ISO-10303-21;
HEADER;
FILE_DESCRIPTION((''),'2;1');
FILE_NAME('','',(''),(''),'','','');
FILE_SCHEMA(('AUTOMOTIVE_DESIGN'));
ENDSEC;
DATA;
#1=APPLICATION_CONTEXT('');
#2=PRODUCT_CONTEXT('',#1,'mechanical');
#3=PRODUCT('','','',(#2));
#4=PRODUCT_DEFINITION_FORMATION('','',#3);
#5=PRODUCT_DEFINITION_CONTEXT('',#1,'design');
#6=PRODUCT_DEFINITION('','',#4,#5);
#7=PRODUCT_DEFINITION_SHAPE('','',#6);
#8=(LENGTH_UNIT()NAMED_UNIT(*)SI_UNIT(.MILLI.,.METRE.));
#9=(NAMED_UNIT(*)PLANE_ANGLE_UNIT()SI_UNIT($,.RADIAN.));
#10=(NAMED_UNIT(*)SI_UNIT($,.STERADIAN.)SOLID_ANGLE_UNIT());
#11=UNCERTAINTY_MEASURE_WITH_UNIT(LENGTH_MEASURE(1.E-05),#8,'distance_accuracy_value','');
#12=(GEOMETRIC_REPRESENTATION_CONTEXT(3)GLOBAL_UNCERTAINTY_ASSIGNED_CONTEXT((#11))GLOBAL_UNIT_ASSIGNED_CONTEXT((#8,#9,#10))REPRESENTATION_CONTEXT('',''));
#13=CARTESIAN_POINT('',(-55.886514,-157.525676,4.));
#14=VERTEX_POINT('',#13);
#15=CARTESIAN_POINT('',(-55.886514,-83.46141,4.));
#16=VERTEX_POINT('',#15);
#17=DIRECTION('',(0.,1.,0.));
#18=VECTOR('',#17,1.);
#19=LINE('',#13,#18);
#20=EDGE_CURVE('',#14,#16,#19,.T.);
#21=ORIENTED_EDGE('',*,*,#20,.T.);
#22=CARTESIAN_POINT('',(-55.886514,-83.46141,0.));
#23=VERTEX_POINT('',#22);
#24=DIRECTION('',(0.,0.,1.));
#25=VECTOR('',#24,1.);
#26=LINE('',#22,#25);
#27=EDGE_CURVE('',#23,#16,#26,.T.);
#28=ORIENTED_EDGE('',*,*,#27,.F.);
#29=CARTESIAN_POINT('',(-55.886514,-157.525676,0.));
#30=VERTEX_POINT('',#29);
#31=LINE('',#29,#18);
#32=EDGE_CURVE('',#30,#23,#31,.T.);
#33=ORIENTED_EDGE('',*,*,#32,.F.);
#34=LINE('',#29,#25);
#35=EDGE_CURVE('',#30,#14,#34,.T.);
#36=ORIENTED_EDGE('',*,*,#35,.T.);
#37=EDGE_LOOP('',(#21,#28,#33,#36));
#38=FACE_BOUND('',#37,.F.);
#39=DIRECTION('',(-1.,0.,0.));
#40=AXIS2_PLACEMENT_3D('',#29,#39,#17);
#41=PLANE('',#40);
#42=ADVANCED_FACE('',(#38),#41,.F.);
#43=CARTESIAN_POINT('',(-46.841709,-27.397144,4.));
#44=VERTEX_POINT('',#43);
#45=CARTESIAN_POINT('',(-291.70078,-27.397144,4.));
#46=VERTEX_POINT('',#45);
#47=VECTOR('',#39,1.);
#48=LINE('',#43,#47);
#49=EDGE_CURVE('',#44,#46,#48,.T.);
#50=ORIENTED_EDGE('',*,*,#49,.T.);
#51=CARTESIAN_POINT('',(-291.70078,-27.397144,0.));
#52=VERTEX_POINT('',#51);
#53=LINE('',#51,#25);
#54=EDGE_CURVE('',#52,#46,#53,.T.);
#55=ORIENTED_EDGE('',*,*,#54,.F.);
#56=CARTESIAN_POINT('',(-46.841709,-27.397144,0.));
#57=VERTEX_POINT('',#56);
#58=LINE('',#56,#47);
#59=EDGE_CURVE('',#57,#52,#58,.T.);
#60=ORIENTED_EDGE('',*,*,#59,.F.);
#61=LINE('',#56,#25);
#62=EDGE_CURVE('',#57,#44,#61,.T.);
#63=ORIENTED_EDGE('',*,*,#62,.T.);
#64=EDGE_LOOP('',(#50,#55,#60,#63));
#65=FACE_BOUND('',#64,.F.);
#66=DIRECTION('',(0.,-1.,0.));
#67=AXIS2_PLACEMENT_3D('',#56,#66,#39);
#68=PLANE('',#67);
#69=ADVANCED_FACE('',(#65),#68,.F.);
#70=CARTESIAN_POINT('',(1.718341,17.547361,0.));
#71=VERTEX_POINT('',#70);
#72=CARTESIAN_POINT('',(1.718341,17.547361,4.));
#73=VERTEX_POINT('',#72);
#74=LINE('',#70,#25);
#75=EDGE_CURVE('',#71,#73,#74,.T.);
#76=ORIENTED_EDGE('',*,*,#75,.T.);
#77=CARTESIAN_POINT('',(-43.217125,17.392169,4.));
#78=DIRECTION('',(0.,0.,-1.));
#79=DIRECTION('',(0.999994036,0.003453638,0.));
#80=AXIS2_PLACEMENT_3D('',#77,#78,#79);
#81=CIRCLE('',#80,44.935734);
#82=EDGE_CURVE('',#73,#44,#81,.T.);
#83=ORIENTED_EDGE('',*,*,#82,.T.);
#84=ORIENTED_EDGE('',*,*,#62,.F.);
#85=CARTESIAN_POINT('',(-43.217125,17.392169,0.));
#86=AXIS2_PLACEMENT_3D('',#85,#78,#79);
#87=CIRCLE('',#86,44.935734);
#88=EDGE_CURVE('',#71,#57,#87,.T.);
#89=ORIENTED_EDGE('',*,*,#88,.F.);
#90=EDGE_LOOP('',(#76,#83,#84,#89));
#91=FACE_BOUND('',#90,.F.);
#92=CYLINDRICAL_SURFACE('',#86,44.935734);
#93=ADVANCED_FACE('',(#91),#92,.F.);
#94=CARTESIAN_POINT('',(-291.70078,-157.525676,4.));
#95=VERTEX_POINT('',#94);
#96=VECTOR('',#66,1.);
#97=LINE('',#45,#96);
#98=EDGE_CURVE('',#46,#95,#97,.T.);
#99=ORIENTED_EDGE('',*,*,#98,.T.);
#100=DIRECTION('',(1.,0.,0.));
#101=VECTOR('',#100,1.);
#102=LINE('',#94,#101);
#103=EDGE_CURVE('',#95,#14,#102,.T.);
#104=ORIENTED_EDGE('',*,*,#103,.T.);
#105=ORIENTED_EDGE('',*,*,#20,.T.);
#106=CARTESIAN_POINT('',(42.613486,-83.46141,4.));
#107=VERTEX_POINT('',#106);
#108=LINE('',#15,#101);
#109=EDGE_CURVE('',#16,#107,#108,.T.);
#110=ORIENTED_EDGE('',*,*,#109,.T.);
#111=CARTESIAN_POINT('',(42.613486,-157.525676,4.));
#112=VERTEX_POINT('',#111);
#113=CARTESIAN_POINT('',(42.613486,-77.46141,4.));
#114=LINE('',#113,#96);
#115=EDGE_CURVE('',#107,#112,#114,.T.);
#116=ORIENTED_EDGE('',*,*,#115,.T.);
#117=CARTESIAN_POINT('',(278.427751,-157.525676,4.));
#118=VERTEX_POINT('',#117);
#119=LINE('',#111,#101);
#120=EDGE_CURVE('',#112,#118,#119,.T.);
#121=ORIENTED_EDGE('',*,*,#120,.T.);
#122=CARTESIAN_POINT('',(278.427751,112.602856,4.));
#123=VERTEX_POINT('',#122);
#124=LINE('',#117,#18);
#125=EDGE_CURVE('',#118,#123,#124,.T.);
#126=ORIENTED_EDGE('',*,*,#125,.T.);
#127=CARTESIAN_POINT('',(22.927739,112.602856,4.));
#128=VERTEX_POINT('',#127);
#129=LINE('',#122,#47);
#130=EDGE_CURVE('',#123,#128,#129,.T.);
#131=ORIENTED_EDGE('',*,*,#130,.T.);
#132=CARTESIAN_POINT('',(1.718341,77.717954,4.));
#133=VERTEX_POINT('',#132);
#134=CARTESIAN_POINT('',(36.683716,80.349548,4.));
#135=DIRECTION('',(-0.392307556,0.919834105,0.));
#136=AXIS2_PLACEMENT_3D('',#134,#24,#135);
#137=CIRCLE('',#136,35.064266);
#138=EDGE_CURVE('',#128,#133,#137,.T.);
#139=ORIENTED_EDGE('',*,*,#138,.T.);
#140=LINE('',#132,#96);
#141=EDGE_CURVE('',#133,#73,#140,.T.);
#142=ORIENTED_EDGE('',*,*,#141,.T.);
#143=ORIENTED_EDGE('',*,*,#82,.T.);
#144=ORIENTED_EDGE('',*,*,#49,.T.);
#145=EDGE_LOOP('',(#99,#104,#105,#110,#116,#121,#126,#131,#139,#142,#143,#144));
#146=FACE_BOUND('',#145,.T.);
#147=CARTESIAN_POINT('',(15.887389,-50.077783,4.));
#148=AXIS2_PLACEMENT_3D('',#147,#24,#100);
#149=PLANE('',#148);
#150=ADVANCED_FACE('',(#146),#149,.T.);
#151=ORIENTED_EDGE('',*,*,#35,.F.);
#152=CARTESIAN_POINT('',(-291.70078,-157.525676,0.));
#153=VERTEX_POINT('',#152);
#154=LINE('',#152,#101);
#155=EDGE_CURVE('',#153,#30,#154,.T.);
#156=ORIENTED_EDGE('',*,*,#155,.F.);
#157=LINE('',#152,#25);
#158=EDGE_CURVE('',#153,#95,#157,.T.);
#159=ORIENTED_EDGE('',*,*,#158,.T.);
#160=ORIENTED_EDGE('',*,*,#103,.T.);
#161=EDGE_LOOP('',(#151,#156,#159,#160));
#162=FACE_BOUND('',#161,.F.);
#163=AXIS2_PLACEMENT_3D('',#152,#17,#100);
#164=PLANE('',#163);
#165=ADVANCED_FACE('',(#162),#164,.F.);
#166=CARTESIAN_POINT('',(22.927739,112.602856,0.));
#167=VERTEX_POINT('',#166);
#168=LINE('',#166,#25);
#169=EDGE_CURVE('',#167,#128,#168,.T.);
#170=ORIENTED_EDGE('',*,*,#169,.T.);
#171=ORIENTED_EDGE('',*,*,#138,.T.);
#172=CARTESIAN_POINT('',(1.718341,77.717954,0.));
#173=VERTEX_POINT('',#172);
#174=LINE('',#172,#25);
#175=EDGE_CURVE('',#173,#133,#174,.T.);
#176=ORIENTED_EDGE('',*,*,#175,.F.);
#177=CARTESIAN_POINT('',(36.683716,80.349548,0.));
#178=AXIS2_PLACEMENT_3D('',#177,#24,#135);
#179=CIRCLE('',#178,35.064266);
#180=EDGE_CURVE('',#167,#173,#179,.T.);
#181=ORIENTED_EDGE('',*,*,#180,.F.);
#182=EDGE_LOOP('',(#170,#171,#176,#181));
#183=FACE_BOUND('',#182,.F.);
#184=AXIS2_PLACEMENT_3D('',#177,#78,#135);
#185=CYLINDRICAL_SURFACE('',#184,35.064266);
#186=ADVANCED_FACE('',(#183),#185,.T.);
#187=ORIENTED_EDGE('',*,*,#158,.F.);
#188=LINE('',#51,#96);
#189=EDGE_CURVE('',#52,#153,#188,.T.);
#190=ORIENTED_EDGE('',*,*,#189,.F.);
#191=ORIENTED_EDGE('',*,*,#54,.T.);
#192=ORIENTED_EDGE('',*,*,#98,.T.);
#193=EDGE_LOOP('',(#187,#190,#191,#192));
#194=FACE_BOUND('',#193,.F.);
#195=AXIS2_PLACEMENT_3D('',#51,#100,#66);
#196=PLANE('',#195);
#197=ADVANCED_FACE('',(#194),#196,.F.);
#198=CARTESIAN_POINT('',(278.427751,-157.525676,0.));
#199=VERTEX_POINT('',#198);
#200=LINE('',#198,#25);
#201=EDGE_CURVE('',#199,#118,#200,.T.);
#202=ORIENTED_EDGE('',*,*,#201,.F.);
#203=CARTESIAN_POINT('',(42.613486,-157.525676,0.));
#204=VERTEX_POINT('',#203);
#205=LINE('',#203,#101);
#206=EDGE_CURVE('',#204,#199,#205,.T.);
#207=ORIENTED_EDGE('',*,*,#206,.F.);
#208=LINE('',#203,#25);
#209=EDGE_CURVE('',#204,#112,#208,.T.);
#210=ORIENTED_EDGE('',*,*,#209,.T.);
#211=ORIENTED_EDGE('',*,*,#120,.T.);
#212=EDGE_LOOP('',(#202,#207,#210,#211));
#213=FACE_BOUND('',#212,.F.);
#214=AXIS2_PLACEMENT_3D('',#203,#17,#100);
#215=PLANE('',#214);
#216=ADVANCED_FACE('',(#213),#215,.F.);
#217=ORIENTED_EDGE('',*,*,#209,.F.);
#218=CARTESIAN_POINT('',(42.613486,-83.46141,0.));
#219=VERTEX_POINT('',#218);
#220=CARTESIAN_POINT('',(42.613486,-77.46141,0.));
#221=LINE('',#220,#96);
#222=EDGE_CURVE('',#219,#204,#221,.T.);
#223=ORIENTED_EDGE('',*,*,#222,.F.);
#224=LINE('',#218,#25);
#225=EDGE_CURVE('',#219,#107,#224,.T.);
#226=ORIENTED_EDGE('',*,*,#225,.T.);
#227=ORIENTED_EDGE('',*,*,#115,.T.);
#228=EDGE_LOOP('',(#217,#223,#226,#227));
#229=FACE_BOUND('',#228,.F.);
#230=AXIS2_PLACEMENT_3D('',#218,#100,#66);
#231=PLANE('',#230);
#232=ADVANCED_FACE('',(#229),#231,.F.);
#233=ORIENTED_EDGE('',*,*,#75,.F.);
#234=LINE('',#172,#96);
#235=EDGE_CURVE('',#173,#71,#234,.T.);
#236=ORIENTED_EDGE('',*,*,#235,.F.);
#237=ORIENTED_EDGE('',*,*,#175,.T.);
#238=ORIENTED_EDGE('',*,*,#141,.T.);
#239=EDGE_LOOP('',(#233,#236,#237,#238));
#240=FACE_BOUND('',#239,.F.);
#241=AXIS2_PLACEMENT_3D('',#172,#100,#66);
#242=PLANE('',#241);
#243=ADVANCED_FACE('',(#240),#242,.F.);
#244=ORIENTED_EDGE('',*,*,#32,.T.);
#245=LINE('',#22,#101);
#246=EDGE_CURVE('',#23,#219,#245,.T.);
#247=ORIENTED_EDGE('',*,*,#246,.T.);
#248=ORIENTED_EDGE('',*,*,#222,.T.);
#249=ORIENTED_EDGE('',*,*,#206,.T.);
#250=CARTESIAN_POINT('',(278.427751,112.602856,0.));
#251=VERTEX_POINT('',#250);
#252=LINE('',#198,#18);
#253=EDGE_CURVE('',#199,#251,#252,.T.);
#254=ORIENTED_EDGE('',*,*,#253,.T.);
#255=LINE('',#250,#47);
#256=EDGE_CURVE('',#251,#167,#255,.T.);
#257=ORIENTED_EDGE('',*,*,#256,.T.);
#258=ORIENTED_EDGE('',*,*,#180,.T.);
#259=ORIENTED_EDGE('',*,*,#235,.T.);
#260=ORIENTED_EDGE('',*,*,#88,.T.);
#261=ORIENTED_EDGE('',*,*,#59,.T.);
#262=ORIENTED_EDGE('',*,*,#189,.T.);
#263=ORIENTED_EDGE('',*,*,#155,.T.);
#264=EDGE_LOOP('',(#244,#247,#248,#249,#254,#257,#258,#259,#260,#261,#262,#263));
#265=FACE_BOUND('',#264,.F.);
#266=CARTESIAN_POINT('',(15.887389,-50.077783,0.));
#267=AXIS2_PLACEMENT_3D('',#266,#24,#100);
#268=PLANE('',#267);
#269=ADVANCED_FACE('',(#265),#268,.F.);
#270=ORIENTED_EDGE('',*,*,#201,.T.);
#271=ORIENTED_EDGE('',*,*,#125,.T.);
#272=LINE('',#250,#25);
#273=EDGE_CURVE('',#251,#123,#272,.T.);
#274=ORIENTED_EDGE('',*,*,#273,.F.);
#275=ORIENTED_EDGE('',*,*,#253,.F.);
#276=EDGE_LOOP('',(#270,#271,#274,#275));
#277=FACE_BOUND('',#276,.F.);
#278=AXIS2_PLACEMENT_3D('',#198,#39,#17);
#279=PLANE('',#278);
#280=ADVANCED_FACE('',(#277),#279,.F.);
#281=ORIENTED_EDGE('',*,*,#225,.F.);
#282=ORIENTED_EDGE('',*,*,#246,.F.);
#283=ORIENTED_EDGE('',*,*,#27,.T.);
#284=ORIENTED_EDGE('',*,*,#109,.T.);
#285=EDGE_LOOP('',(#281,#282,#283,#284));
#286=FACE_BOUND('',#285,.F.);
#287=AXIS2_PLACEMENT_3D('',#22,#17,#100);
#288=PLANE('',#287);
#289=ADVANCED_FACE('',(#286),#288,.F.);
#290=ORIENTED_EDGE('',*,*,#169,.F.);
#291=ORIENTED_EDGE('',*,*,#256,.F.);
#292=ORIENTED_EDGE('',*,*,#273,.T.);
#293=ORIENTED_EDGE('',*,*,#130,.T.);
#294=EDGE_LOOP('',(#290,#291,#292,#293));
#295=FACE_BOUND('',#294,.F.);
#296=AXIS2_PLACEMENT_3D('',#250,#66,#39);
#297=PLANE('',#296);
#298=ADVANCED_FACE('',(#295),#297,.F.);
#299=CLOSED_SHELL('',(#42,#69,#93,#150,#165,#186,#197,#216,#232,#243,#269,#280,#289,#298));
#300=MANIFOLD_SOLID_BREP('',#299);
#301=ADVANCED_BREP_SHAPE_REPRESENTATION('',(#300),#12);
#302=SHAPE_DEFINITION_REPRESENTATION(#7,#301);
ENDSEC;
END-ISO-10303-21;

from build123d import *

# Parameters (mm, degrees)
F0_W     = 1
F0_H     = 6
F0_W_2   = 96.5
F1_DEPTH = 4


with BuildPart() as f1:
    # F0 (on Top) → F1 (new body)
    with BuildSketch(Plane.XY):
        with BuildLine():
            Line((-291.7007803917, -157.5256759562), (-55.8865144849, -157.5256759562))
            Line((-55.8865144849, -157.5256759562), (-55.8865144849, -83.4614100494))
            Line((-55.8865144849, -83.4614100494), (-55.8865144849, -77.4614100494))
            Line((-55.8865144849, -77.4614100494), (-54.8865144849, -77.4614100494))
            Line((-54.8865144849, -77.4614100494), (41.6134855151, -77.4614100494))
            Line((41.6134855151, -77.4614100494), (42.6134855151, -77.4614100494))
            Line((42.6134855151, -77.4614100494), (42.6134855151, -83.4614100494))
            Line((42.6134855151, -83.4614100494), (42.6134855151, -157.5256759562))
            Line((42.6134855151, -157.5256759562), (278.4277514219, -157.5256759562))
            Line((278.4277514219, -157.5256759562), (278.4277514219, 112.6028558574))
            Line((278.4277514219, 112.6028558574), (22.9277393461, 112.6028558574))
            ThreePointArc((22.9277393461, 112.6028558574), (6.7223803738, 98.5655061138), (1.7183407144, 77.7179538753))
            Line((1.7183407144, 77.7179538753), (1.7183407144, 17.5473609517))
            ThreePointArc((1.7183407144, 17.5473609517), (-12.6941933844, -15.5861694622), (-46.841709457, -27.3971441426))
            Line((-46.841709457, -27.3971441426), (-291.7007803917, -27.3971441426))
            Line((-291.7007803917, -27.3971441426), (-291.7007803917, -157.5256759562))
        make_face()
        with Locations((-55.3865144849, -80.4614100494)):
            Rectangle(F0_W, F0_H)
        with Locations((42.1134855151, -80.4614100494)):
            Rectangle(F0_W, F0_H)
        with Locations((-6.6365144849, -80.4614100494)):
            Rectangle(F0_W_2, F0_H)
    extrude(amount=F1_DEPTH)


solid = f1.part
